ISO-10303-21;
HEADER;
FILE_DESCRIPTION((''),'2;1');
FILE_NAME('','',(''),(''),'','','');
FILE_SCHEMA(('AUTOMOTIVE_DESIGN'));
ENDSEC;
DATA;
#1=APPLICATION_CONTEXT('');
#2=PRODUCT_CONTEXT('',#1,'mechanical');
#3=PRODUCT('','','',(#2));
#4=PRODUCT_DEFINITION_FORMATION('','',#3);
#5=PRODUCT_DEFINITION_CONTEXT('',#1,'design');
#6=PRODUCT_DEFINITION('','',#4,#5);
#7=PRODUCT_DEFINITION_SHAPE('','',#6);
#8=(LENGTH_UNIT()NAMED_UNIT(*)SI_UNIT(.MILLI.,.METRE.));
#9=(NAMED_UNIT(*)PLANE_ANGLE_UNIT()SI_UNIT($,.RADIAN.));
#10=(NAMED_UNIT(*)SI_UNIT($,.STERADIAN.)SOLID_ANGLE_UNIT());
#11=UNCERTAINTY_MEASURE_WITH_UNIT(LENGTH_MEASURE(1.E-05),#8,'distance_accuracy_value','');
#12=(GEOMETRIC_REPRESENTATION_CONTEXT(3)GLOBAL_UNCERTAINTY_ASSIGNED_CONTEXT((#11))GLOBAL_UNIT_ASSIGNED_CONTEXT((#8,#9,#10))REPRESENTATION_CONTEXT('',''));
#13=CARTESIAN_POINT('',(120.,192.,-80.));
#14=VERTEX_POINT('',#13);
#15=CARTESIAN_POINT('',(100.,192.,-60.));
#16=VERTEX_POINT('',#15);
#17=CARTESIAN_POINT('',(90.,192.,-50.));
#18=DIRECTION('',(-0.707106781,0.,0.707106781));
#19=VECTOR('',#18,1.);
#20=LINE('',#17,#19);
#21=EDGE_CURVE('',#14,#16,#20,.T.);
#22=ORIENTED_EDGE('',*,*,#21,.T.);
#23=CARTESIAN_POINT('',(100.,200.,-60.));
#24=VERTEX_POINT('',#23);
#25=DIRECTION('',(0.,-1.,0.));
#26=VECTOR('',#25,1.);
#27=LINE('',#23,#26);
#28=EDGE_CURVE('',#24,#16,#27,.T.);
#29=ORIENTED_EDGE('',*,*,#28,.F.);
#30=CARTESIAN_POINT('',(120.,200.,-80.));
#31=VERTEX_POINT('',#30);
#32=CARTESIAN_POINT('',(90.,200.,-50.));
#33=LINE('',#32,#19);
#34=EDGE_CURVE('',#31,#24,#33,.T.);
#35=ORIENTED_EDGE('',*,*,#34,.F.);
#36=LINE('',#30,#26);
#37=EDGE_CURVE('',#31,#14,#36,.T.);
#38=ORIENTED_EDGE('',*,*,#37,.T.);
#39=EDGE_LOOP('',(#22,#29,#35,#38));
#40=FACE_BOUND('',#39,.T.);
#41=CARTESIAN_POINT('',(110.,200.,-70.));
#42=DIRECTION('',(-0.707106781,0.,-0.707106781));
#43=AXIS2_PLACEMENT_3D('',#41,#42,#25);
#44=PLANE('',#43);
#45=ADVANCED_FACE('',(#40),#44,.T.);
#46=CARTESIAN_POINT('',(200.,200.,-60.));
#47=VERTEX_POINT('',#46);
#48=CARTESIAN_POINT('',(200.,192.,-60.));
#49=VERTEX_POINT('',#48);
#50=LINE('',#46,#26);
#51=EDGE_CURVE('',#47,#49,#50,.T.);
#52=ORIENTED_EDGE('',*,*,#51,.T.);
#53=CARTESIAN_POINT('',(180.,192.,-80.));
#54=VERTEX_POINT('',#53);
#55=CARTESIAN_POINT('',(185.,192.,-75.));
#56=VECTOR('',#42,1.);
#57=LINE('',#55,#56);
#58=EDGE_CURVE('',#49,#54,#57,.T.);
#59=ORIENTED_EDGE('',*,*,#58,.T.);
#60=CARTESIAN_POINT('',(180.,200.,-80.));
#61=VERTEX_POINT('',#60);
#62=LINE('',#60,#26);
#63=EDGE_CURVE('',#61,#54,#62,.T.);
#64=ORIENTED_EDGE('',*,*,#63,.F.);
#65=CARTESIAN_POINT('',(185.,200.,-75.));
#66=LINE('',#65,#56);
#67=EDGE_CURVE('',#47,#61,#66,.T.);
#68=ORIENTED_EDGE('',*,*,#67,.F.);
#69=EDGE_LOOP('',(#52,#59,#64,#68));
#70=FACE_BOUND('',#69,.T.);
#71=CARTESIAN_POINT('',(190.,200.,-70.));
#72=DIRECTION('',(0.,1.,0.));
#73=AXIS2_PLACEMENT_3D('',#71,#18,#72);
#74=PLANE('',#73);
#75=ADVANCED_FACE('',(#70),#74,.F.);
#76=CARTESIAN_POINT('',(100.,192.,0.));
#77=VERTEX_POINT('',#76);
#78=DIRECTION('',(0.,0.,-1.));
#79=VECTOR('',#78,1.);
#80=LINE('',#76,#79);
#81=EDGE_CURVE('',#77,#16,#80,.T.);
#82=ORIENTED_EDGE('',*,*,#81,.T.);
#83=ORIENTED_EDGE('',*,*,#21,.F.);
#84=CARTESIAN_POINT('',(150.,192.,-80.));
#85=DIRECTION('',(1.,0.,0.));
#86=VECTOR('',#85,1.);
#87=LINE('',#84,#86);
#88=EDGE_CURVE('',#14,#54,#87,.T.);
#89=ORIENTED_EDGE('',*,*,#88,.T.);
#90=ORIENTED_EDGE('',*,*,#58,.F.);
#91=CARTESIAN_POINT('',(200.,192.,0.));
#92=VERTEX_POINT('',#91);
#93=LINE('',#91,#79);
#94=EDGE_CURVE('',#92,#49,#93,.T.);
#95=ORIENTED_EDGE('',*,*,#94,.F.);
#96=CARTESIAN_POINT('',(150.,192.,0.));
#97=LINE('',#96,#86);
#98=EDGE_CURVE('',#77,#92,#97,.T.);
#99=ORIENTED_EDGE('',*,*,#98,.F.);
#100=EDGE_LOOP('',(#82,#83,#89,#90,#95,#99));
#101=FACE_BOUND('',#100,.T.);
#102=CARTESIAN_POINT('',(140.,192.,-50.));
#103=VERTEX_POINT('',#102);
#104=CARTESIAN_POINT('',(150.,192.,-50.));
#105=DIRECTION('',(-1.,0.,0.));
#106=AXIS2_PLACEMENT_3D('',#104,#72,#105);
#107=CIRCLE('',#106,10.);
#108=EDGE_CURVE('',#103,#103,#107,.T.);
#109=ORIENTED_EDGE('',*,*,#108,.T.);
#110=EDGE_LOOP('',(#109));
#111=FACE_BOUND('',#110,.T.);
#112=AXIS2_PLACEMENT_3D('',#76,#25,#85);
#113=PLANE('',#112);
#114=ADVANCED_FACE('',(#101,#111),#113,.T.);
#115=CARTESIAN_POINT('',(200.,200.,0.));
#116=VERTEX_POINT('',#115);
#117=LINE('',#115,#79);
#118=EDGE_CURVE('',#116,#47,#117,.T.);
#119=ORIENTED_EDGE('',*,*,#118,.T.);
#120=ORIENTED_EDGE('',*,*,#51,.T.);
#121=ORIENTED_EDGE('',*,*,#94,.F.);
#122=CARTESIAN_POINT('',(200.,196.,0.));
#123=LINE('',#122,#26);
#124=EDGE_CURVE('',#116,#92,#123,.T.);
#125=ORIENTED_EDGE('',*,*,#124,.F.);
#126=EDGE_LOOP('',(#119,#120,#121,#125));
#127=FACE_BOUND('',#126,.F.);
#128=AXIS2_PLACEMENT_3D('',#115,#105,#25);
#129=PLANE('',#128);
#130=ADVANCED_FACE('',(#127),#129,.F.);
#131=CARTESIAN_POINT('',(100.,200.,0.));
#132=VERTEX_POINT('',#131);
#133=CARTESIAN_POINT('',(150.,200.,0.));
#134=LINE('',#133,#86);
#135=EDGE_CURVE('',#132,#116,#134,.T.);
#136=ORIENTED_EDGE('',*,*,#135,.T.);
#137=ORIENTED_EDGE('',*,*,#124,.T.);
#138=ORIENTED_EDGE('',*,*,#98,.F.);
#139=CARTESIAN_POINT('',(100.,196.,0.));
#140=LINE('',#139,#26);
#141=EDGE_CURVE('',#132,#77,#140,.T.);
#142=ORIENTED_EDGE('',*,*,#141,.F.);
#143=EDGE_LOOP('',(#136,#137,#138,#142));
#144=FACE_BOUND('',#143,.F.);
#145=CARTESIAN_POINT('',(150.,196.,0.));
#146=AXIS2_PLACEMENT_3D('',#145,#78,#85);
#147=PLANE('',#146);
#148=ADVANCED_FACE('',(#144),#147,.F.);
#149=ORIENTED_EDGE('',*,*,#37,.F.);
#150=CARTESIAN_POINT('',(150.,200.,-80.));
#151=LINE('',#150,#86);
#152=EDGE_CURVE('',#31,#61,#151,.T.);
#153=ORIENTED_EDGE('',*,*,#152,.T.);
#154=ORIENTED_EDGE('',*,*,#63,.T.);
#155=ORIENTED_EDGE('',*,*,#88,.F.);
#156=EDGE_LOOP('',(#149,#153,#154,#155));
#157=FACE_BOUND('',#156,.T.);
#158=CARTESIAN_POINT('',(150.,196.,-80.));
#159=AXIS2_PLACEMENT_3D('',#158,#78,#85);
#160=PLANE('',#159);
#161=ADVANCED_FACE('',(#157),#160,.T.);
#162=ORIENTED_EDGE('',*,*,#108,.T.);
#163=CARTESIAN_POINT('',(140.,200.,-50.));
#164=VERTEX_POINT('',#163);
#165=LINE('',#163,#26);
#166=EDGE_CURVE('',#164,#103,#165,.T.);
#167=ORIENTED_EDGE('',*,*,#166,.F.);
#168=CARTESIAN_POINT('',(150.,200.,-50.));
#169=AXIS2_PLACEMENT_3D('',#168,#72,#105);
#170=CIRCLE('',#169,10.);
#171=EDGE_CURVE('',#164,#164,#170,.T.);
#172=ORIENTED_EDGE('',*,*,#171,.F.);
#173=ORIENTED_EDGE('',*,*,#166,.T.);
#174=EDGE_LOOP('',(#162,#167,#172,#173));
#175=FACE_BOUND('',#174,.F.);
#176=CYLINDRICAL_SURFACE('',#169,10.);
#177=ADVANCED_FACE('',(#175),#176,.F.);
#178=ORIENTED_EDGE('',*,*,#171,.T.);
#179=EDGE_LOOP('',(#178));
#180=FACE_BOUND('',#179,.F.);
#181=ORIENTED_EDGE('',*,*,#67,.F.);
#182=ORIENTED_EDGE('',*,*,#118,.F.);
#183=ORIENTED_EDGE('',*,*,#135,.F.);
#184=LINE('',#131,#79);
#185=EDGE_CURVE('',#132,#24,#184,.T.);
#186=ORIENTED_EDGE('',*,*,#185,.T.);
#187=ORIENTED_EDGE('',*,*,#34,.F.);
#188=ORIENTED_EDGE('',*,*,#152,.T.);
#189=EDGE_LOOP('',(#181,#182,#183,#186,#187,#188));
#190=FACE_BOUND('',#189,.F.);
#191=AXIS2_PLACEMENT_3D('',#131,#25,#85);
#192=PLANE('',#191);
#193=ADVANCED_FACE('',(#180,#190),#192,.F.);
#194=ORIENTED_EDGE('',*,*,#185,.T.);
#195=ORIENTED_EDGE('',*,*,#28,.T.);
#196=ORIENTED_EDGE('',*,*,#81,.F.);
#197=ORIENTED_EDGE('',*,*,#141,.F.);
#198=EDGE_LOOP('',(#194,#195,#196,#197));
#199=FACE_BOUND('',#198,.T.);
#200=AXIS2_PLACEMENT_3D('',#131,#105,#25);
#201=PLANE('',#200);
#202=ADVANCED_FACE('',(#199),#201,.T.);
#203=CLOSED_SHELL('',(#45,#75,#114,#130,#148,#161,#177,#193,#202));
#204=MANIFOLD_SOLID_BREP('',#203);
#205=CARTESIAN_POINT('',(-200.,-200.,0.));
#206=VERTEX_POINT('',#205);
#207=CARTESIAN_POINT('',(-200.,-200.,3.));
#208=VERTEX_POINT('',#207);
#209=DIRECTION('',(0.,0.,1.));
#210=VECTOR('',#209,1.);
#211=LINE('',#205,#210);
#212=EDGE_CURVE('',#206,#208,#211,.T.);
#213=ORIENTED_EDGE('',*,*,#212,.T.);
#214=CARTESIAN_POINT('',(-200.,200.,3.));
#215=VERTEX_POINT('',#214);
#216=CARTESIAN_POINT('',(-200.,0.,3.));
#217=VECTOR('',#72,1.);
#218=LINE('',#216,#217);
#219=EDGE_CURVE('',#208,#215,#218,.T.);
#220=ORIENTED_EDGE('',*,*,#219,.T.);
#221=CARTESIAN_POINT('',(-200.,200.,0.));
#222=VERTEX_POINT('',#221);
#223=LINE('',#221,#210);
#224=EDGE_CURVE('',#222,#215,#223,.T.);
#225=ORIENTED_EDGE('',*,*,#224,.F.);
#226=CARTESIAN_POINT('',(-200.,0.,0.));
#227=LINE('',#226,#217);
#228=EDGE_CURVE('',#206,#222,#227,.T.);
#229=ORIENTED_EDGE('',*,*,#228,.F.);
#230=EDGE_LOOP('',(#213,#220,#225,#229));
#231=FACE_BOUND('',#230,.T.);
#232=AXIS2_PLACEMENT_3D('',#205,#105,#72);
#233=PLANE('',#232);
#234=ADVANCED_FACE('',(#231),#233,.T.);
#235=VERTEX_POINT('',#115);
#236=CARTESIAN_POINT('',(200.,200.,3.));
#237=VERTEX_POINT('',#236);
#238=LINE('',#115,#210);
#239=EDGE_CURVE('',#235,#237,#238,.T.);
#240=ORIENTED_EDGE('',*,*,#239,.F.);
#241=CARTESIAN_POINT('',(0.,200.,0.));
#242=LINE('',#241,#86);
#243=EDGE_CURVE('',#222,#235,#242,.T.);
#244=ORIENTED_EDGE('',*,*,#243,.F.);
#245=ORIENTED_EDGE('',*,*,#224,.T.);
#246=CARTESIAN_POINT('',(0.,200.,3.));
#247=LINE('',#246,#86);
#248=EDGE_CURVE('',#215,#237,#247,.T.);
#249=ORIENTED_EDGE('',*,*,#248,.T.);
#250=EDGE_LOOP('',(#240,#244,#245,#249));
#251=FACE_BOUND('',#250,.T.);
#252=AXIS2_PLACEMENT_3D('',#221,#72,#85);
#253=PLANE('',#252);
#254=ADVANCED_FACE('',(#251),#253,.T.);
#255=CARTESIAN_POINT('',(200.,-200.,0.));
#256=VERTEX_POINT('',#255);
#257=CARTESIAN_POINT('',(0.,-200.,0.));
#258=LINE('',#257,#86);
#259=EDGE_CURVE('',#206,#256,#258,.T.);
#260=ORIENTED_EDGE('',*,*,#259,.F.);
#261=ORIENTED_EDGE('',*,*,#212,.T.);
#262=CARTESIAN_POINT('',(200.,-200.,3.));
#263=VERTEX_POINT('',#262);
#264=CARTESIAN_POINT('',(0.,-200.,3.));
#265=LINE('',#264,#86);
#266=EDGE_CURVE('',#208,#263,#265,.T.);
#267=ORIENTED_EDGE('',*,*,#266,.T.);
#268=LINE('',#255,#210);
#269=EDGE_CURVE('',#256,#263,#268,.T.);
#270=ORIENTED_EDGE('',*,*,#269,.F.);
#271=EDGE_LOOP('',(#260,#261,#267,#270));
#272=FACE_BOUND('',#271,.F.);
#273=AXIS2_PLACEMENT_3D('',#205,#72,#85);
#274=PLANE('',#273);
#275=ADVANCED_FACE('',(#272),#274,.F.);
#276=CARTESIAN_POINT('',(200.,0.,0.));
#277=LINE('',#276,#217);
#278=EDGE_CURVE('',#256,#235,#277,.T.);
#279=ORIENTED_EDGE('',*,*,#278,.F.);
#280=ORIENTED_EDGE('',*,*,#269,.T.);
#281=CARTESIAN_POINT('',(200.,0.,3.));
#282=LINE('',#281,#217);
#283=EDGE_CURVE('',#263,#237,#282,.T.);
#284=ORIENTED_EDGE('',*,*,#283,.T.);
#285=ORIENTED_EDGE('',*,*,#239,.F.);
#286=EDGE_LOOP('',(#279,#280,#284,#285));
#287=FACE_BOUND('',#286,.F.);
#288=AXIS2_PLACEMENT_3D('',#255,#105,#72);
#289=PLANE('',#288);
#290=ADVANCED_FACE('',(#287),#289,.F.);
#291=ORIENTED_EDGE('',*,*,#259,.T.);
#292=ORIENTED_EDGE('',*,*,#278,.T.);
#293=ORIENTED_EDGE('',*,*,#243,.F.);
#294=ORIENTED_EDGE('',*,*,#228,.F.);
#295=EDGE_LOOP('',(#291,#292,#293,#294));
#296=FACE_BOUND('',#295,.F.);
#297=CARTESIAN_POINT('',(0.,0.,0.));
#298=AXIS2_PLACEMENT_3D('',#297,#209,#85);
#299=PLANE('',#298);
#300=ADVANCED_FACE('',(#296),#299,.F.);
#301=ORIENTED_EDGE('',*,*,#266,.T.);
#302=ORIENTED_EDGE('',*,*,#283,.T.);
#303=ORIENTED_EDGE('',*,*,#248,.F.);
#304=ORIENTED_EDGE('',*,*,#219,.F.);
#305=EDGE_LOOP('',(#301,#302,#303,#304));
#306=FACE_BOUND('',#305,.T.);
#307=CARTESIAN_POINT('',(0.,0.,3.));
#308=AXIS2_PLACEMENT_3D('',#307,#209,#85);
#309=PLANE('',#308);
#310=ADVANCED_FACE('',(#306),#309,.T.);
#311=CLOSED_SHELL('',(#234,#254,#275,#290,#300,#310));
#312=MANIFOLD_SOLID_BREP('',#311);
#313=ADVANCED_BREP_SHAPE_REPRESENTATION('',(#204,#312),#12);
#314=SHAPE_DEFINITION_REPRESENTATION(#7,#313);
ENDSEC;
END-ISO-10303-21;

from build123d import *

# Parameters (mm, degrees)
F0_W     = 400
F0_H     = 400
F1_DEPTH = 3
F2_W     = 100
F2_H     = 8
F3_DEPTH = 80
F4_SIZE  = 20
F5_R     = 10
F6_DEPTH = 25
F7_SIZE  = 20


with BuildPart() as f1:
    # F0 (on Top) → F1 (new body)
    with BuildSketch(Plane.XY):
        Rectangle(F0_W, F0_H)
    extrude(amount=F1_DEPTH)


with BuildPart() as f3:
    # F2 (on face) → F3 (new body)
    with BuildSketch(Plane(origin=(0, 0, 0), x_dir=(1, 0, 0), z_dir=(0, 0, -1))):
        with Locations((150, -196)):
            Rectangle(F2_W, F2_H)
    extrude(amount=F3_DEPTH)

    # F4
    f4_edges = [f3.edges().sort_by_distance(p)[0] for p in [
        (200, 196, -80),
    ]]
    chamfer(f4_edges, length=F4_SIZE)

    # F5 (on face) → F6 (cut)
    with BuildSketch(Plane(origin=(0, 200, 0), x_dir=(-1, 0, 0), z_dir=(0, 1, 0))):
        with Locations((-150, -50)):
            Circle(F5_R)
    extrude(amount=-F6_DEPTH, mode=Mode.SUBTRACT)

    # F7
    f7_edges = [f3.edges().sort_by_distance(p)[0] for p in [
        (100, 196, -80),
    ]]
    chamfer(f7_edges, length=F7_SIZE)


solid = Compound([f1.part, f3.part])
